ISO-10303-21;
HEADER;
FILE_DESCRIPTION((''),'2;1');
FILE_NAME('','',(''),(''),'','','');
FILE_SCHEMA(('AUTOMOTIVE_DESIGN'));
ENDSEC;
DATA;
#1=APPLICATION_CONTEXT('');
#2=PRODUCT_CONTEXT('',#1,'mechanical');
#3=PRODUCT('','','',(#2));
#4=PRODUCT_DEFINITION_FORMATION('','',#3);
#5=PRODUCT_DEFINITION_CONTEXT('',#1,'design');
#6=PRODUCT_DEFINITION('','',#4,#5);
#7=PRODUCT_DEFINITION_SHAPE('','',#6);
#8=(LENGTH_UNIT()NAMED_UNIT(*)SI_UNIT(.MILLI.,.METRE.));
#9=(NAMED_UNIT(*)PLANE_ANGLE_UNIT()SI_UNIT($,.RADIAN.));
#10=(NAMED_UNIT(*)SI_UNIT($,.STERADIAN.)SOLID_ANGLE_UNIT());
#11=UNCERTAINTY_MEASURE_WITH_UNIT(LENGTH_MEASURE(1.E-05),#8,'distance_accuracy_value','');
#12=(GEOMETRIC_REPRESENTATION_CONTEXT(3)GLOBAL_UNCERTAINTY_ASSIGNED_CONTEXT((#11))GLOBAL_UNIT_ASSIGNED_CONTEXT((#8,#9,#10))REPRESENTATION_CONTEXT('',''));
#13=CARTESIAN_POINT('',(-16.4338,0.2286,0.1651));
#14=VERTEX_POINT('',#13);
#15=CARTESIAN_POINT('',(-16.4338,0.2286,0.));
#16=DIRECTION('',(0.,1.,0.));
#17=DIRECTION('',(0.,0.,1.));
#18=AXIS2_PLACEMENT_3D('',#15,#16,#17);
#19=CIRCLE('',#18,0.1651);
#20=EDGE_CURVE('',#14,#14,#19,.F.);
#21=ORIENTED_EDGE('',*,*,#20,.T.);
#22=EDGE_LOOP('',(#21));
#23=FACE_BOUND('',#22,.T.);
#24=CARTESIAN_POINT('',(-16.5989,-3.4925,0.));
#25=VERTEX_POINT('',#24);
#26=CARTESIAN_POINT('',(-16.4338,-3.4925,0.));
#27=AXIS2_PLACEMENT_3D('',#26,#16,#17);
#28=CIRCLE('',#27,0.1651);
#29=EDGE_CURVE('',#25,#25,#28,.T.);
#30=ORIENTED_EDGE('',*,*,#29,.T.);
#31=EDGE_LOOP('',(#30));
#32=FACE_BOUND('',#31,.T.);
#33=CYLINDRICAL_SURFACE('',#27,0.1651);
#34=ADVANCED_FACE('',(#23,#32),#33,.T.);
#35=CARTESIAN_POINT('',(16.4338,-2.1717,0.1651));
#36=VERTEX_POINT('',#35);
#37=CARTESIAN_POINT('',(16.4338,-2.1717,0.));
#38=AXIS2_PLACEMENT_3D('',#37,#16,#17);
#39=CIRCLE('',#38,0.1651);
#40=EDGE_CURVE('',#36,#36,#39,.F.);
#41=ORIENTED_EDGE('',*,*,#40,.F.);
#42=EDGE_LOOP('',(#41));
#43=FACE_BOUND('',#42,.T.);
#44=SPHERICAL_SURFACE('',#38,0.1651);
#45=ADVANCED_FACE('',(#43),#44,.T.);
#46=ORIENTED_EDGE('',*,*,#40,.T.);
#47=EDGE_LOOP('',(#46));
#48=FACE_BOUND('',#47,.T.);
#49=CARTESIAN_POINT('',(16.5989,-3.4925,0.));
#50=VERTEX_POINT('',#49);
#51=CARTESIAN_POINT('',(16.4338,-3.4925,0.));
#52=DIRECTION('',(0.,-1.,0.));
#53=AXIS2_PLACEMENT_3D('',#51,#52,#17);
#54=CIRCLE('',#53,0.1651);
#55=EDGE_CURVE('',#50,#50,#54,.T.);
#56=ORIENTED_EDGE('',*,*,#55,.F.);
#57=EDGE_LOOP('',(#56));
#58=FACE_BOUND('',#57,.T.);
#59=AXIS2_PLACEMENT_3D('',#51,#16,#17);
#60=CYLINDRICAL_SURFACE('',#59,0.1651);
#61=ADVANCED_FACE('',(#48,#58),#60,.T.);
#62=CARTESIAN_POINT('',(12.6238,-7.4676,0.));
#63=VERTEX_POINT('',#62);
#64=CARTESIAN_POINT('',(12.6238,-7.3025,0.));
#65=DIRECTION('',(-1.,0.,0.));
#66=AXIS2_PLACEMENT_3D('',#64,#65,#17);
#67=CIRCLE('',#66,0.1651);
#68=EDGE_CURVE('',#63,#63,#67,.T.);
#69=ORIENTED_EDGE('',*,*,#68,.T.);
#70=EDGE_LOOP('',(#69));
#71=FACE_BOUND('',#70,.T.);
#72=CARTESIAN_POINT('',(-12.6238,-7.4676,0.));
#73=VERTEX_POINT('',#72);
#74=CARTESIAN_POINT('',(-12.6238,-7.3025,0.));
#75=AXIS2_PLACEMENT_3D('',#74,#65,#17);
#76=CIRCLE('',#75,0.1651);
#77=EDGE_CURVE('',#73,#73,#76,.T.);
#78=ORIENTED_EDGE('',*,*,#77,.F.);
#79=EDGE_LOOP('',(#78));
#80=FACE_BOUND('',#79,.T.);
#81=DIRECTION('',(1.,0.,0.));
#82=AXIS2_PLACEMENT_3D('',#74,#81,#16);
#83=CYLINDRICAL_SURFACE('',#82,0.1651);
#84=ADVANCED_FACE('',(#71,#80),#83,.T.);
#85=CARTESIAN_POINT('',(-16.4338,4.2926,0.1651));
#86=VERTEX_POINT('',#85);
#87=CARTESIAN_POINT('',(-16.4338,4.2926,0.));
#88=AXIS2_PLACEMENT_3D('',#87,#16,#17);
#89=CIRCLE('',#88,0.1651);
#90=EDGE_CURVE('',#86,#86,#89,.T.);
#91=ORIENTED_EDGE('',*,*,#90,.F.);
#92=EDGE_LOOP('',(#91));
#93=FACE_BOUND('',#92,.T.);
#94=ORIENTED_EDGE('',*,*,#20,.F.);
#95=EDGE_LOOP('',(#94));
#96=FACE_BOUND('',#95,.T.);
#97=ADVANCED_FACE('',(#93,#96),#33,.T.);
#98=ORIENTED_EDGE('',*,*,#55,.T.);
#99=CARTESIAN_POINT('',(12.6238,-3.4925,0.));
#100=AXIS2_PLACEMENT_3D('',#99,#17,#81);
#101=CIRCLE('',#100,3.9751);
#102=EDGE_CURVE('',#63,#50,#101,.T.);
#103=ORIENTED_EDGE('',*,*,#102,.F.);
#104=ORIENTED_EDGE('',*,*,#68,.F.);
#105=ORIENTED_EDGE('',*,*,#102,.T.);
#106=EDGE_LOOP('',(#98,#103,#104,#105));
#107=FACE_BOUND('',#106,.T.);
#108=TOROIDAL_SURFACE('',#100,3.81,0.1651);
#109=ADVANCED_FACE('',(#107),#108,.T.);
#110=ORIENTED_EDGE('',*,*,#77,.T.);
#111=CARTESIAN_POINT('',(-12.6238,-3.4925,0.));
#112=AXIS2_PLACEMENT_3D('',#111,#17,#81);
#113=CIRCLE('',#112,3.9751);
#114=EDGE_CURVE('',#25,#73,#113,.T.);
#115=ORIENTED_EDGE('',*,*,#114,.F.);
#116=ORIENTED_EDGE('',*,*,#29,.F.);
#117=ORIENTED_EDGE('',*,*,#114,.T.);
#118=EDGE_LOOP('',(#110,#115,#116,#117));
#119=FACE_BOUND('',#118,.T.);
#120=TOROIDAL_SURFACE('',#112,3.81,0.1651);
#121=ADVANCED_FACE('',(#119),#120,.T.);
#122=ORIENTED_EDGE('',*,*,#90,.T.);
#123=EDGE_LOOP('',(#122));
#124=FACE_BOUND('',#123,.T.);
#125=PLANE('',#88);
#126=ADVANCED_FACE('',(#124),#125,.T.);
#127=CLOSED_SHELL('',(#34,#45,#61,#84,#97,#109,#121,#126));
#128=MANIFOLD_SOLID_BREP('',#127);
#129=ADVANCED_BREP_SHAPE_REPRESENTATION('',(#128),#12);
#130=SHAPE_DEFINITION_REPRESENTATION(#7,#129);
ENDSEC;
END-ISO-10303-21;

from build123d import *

# Parameters (mm, degrees)
SKETCH3_R = 0.1651
FILLET1_R = 0.1651


with BuildPart() as part:
    # Sweep1: sweep along a path in Sketch2
    with BuildLine(Plane.XY) as sweep1_path:
        Line((16.5989, -2.0066), (16.5989, -3.4925))
        ThreePointArc((16.5989, -3.4925), (15.434620166, -6.303320166), (12.6238, -7.4676))
        Line((12.6238, -7.4676), (-12.6238, -7.4676))
        ThreePointArc((-12.6238, -7.4676), (-15.434620166, -6.303320166), (-16.5989, -3.4925))
        Line((-16.5989, -3.4925), (-16.5989, 4.2926))
    # Sketch3 → Sweep1 (sweep)
    with BuildSketch(Plane(origin=(0, 4.2926, 0), x_dir=(-1, 0, 0), z_dir=(0, 1, 0))):
        with Locations((16.4338, 0)):
            Circle(SKETCH3_R)
    sweep(path=sweep1_path.line)

    # Fillet1
    fillet1_edges = [part.edges().sort_by_distance(p)[0] for p in [
        (16.2687, -2.0066, 0),
    ]]
    fillet(fillet1_edges, radius=FILLET1_R)


solid = part.part
